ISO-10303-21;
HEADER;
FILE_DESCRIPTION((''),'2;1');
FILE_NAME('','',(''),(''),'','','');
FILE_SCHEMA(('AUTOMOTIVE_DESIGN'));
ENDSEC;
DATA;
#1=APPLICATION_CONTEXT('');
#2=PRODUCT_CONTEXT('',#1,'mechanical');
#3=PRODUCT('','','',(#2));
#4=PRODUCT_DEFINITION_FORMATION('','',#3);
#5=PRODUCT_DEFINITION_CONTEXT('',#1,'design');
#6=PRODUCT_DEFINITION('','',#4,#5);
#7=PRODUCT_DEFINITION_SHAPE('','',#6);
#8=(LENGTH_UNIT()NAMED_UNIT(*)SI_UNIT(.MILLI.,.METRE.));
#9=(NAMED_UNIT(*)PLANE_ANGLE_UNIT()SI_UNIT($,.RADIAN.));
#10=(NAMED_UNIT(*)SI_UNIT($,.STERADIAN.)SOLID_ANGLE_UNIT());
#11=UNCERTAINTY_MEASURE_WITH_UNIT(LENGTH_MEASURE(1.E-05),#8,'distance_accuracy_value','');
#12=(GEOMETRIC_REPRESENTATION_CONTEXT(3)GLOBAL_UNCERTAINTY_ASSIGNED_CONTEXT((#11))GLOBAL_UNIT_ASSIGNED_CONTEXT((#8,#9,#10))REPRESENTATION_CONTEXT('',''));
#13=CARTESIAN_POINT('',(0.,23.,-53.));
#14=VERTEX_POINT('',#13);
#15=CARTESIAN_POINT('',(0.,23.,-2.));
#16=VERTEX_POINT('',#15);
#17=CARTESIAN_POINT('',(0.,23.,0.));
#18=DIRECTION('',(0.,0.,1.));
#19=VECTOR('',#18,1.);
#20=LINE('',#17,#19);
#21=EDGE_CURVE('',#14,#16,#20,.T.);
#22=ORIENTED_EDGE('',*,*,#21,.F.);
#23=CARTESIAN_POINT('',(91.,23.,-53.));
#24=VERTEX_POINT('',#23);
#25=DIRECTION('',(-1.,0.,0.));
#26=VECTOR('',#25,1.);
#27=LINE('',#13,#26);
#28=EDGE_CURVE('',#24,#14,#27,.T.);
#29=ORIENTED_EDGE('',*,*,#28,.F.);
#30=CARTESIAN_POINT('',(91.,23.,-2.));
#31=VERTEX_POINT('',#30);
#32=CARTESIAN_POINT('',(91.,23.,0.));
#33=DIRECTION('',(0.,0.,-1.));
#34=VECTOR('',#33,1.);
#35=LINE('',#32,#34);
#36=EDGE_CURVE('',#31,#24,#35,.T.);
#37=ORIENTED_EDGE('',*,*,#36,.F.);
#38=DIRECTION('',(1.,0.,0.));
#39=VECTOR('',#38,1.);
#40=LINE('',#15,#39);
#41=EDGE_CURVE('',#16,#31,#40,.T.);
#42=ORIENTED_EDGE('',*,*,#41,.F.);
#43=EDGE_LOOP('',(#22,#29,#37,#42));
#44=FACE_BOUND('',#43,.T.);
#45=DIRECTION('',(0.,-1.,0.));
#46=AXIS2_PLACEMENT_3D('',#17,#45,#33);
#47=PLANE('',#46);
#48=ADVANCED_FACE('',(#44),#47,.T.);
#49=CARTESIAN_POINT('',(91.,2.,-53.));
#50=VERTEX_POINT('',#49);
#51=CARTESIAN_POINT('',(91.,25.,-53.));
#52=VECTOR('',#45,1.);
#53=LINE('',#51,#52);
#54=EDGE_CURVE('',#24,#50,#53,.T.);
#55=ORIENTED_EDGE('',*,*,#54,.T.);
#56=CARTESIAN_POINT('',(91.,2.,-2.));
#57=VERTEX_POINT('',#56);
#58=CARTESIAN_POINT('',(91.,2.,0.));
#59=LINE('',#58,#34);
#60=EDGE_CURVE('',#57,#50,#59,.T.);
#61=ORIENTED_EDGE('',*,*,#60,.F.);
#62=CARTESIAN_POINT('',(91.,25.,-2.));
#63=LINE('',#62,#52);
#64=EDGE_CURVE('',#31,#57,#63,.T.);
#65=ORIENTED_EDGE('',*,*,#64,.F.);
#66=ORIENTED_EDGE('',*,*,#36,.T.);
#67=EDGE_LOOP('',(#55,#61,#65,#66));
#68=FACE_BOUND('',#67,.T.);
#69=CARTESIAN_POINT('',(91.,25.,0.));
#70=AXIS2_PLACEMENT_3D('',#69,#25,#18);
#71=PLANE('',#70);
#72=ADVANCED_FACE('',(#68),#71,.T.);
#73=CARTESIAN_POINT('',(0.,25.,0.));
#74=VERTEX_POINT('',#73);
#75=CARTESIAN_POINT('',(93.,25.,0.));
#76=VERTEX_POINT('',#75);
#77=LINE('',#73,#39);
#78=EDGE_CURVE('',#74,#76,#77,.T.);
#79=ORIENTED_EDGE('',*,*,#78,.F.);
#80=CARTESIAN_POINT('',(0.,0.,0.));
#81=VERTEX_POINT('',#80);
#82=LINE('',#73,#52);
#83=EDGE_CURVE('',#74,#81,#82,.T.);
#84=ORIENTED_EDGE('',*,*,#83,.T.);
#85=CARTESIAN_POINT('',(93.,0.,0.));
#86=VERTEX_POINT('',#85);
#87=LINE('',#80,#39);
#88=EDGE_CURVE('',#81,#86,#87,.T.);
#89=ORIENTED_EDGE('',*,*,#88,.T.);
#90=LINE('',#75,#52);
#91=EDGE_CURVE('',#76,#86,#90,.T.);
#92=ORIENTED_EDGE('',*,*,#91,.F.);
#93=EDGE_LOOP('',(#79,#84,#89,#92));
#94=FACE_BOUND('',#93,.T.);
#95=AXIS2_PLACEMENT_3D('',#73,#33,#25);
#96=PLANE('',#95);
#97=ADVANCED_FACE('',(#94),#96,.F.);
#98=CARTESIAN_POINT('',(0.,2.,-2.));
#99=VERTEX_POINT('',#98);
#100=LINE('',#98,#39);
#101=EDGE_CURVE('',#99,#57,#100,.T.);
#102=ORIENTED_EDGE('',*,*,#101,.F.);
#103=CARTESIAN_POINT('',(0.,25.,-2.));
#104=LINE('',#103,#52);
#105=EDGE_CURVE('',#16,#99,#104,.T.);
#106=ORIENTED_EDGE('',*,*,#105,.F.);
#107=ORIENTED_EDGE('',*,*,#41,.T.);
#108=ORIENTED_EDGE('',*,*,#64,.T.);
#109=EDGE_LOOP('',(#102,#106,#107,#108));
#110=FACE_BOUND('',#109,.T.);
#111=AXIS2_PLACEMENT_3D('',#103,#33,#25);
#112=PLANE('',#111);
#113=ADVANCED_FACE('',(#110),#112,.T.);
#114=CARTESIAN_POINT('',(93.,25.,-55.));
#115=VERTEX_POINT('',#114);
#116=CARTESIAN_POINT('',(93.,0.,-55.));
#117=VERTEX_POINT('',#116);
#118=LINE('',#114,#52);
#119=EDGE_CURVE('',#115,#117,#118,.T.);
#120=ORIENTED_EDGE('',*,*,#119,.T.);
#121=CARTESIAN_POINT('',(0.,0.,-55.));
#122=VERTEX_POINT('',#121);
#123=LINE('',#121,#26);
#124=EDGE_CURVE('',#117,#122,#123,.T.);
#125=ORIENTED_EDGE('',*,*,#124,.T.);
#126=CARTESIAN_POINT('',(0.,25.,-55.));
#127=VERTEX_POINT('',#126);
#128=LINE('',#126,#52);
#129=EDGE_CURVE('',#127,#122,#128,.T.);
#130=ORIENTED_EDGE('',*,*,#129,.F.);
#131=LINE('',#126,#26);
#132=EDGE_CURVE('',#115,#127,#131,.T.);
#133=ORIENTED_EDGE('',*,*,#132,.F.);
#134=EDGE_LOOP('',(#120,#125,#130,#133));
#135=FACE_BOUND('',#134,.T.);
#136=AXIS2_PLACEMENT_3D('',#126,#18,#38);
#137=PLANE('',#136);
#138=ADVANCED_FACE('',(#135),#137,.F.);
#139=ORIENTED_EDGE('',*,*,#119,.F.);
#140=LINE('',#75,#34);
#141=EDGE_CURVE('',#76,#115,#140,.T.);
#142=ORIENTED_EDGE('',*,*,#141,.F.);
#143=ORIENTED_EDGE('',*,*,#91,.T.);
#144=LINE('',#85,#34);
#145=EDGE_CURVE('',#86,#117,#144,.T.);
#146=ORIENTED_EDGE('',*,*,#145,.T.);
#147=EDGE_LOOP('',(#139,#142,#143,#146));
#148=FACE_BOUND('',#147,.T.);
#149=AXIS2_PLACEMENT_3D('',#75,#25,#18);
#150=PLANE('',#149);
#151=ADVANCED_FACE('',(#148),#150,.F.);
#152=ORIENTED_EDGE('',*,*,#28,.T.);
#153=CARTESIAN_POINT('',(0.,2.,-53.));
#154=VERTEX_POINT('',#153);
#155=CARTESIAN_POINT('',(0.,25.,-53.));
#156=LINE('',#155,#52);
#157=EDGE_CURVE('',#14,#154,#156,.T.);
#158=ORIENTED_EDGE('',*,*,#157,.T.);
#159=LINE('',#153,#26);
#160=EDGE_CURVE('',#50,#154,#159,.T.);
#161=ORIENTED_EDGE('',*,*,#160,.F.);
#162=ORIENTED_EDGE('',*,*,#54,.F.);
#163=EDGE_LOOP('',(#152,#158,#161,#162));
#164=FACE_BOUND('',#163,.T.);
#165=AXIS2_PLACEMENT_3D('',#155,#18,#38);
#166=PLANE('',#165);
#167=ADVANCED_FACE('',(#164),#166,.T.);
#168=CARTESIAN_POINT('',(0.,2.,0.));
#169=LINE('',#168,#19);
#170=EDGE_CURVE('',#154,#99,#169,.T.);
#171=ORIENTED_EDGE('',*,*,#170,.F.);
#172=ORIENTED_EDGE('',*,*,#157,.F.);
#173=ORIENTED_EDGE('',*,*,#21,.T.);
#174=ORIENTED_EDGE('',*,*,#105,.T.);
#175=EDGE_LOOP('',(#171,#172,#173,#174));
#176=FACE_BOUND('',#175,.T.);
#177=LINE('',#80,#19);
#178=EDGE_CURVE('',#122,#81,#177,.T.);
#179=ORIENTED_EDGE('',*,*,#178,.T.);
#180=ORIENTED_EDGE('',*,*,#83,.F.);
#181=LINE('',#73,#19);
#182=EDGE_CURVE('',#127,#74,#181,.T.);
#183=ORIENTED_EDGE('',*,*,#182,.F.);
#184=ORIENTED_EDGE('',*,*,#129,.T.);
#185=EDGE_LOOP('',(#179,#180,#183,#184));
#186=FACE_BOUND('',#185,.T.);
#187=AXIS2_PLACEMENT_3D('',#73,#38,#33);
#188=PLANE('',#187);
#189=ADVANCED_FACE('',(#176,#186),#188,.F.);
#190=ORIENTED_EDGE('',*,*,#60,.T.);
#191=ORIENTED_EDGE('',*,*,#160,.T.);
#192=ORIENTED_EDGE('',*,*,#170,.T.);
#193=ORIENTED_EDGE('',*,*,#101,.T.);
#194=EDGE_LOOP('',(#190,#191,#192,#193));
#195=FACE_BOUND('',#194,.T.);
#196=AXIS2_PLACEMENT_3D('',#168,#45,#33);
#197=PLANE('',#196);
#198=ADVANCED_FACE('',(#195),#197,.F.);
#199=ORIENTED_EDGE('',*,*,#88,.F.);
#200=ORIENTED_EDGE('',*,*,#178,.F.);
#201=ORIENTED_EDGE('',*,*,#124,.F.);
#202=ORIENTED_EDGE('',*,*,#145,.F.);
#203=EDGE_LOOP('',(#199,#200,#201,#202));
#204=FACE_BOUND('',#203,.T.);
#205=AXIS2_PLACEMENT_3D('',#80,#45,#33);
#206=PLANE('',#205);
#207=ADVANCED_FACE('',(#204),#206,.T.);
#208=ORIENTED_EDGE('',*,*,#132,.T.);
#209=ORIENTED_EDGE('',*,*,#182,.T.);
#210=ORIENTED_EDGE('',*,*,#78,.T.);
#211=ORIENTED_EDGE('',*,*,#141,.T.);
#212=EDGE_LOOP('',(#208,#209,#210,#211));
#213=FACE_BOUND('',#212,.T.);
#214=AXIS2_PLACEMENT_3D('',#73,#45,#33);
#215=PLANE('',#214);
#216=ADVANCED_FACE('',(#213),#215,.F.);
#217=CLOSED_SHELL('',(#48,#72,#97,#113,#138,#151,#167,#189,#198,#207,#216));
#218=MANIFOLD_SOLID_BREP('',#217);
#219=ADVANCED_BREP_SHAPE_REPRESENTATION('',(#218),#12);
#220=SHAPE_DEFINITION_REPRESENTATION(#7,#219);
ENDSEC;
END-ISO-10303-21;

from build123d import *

# Parameters (mm, degrees)
SKETCH1_W           = 93
SKETCH1_H           = 55
BOSS_EXTRUDE1_DEPTH = 25
SHELL1_T            = -2


with BuildPart() as part:
    # Sketch1 → Boss-Extrude1 (new body)
    with BuildSketch(Plane(origin=(0, 0, 0), x_dir=(1, 0, 0), z_dir=(0, 1, 0))):
        with Locations((46.5, 27.5)):
            Rectangle(SKETCH1_W, SKETCH1_H)
    extrude(amount=BOSS_EXTRUDE1_DEPTH)

    # Shell1
    shell1_openings = [part.faces().sort_by_distance(p)[0] for p in [
        (0, 12.5, -27.5),
    ]]
    offset(amount=SHELL1_T, openings=shell1_openings, kind=Kind.INTERSECTION)


solid = part.part
